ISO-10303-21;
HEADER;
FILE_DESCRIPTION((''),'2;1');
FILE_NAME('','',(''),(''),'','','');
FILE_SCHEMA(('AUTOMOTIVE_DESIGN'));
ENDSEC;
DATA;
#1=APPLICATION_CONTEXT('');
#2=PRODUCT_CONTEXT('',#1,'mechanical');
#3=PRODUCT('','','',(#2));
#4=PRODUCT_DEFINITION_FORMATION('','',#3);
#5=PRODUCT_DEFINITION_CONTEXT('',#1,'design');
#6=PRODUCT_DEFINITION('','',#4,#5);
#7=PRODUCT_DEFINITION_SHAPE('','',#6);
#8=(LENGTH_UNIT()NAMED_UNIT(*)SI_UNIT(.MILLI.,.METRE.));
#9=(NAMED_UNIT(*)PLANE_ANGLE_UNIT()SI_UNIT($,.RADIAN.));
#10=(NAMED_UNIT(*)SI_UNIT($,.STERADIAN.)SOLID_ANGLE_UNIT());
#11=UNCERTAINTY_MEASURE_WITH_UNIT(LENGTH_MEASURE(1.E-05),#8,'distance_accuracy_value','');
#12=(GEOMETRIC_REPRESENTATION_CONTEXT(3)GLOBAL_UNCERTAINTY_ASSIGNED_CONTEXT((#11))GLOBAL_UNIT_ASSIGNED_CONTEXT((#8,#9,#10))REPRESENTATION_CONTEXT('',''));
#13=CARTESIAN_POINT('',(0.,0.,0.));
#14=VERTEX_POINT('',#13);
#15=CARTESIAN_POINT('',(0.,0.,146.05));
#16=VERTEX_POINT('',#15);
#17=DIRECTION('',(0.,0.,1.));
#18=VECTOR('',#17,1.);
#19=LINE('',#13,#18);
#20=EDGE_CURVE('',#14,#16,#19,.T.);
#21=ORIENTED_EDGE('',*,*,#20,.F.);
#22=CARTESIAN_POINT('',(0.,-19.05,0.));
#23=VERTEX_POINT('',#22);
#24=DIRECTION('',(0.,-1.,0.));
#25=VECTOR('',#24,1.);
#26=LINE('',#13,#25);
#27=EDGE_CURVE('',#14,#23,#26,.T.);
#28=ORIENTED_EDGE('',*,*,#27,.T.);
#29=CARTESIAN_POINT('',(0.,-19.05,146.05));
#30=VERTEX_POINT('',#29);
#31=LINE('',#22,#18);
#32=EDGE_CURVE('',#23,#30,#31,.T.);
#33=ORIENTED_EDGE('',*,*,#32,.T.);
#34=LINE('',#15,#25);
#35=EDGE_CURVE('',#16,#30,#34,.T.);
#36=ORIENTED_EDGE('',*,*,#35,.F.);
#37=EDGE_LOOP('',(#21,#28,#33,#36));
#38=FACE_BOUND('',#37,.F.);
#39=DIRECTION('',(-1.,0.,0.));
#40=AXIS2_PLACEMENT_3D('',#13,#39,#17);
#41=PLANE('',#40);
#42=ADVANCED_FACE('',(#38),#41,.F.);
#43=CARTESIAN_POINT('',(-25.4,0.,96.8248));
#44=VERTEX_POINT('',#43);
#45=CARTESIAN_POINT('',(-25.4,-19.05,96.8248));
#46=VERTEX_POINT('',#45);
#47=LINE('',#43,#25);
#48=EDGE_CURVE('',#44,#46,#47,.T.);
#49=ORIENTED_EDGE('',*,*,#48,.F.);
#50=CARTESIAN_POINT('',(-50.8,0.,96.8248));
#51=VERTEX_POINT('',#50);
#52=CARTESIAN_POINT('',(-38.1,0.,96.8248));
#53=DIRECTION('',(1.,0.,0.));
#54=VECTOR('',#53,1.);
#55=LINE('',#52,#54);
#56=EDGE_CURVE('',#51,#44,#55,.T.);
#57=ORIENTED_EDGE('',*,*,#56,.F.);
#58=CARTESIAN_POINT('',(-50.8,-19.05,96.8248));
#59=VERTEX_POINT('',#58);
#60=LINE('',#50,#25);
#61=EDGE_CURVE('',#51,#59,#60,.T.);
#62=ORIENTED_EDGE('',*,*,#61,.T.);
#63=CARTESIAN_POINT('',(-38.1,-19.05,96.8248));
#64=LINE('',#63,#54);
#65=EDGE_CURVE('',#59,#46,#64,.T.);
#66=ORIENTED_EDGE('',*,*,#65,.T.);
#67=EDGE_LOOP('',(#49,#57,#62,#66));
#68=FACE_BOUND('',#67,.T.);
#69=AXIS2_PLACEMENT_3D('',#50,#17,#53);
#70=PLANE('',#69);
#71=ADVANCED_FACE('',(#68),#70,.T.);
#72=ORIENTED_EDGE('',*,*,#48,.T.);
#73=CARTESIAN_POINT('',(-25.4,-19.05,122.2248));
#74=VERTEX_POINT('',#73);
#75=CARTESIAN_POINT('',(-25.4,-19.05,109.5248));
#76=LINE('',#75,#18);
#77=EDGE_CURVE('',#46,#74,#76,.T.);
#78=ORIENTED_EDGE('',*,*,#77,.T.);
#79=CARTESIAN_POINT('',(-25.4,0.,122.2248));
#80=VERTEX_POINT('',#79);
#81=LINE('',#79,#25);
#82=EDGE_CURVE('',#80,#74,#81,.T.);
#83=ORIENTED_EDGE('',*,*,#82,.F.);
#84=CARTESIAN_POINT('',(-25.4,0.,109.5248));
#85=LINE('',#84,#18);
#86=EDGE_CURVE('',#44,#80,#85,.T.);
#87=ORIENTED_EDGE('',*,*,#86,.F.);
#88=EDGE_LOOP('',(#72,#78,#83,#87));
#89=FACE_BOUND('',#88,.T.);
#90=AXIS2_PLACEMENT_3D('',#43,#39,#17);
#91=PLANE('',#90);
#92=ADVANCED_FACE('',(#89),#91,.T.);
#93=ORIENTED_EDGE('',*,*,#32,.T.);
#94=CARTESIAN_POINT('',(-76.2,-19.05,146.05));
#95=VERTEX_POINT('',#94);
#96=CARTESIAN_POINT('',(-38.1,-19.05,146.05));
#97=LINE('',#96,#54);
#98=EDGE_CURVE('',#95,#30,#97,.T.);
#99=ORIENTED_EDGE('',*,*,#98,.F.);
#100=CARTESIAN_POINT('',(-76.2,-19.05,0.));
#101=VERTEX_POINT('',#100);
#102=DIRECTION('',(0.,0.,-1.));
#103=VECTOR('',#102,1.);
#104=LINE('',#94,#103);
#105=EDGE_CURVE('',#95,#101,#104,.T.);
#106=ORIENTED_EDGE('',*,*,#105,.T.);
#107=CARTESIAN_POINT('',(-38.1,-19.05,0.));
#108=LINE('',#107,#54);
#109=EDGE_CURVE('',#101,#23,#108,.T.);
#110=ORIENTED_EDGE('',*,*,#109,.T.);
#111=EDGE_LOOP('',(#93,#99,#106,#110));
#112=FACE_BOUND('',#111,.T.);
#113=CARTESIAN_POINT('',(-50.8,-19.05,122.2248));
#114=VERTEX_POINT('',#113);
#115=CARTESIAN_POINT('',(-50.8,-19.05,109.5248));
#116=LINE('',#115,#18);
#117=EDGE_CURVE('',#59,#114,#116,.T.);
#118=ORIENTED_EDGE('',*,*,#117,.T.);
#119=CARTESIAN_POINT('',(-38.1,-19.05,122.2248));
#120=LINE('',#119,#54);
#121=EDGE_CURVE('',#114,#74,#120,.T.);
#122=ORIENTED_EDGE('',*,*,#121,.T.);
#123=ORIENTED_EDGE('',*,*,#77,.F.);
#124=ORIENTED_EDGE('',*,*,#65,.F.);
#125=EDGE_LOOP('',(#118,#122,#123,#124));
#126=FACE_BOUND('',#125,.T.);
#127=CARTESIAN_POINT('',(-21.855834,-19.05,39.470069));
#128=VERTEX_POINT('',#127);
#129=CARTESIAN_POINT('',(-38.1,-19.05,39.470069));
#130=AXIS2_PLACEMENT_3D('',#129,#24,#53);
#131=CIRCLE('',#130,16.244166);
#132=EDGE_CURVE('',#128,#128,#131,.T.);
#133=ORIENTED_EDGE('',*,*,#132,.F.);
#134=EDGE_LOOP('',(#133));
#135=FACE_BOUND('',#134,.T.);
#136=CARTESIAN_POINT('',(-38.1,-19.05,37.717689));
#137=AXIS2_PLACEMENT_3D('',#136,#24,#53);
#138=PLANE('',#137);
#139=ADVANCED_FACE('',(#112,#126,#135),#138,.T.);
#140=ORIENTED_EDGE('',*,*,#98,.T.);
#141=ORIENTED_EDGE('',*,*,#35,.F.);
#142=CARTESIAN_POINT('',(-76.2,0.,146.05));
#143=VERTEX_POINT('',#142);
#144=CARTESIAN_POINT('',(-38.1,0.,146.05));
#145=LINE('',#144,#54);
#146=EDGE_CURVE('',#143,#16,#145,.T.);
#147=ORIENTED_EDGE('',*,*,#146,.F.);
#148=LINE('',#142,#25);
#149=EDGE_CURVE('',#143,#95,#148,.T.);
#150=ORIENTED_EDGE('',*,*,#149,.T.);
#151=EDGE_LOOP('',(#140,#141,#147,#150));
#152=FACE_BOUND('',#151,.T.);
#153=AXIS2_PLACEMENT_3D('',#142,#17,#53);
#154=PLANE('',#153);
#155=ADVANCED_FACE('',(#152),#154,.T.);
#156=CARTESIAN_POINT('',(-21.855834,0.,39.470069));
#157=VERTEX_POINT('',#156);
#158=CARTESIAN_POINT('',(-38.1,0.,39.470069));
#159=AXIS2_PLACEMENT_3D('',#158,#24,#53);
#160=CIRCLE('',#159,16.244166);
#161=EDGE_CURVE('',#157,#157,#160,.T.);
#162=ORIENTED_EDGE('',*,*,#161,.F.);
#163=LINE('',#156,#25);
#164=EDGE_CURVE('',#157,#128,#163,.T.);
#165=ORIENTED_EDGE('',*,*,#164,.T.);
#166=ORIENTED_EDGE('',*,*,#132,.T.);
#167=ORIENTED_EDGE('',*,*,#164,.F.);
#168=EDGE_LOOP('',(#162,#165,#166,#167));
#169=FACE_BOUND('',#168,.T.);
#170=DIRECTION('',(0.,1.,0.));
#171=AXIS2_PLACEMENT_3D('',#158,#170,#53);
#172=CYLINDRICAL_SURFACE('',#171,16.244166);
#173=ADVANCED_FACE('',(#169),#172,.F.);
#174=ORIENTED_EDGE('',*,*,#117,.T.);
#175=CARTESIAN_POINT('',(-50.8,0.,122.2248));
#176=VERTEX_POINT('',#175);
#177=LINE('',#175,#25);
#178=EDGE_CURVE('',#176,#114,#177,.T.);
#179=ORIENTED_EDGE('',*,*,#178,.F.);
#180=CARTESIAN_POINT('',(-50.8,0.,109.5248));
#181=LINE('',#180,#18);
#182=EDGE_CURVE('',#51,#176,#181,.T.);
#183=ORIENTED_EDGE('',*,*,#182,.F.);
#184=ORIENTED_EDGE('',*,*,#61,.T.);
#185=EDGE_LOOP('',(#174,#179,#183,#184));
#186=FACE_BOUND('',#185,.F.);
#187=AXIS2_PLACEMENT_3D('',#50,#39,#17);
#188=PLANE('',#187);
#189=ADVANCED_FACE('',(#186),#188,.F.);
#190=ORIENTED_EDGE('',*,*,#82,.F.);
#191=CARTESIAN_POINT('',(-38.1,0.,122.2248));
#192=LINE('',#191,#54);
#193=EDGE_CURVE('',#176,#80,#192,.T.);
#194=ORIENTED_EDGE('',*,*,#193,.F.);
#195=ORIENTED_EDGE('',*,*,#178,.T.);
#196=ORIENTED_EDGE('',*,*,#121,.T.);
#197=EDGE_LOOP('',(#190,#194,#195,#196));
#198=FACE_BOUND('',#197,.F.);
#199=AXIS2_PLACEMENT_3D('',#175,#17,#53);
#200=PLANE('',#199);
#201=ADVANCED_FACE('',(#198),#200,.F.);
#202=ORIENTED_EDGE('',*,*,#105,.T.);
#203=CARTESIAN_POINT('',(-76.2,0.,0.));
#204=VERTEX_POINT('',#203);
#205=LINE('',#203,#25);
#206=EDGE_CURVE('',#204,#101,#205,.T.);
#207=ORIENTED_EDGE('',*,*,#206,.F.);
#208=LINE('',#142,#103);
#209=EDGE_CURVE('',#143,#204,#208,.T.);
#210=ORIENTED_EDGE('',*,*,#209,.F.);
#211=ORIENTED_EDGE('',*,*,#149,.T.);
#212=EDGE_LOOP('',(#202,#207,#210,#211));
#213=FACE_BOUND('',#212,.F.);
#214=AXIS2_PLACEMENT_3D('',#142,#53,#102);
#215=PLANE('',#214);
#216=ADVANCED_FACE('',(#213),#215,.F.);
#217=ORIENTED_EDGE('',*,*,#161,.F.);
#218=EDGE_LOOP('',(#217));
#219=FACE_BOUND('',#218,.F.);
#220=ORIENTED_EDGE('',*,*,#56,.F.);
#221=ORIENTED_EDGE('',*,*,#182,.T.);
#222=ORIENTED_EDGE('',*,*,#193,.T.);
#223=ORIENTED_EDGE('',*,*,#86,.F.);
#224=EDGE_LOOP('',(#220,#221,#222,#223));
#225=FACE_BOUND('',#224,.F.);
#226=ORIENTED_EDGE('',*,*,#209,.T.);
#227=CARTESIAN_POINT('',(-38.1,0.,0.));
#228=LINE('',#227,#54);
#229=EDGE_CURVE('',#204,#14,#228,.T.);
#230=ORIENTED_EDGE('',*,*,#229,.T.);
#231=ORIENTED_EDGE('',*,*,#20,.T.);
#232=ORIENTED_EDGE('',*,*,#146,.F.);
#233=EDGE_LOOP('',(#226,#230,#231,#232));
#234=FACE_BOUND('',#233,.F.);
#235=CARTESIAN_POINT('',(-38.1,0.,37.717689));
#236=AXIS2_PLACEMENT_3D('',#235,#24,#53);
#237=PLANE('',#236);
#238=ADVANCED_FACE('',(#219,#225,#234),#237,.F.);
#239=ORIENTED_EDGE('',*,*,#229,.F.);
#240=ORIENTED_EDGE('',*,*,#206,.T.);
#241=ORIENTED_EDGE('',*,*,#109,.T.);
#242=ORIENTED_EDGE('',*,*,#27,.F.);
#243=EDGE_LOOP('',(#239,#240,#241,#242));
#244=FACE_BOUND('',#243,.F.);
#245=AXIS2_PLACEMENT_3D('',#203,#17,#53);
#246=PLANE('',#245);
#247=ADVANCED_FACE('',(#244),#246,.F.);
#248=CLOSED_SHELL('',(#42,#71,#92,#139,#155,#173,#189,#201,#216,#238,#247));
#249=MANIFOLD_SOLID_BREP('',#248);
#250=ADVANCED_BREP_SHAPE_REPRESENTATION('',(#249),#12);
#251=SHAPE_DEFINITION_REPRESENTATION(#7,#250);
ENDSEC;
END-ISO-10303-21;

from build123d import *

# Parameters (mm, degrees)
F0_W     = 76.2
F0_H     = 75.435378
F0_R     = 16.244166
F0_H_2   = 70.614622
F0_W_2   = 25.4
F0_H_3   = 25.4
F1_DEPTH = 19.05


with BuildPart() as f1:
    # F0 (on Front) → F1 (new body)
    with BuildSketch(Plane.XZ):
        with Locations((-38.1, 37.717689)):
            Rectangle(F0_W, F0_H)
        with Locations((-38.1, 39.470069)):
            Circle(F0_R, mode=Mode.SUBTRACT)
        with Locations((-38.1, 110.742689)):
            Rectangle(F0_W, F0_H_2)
        with Locations((-38.1, 109.5248)):
            Rectangle(F0_W_2, F0_H_3, mode=Mode.SUBTRACT)
    extrude(amount=F1_DEPTH)


solid = f1.part
